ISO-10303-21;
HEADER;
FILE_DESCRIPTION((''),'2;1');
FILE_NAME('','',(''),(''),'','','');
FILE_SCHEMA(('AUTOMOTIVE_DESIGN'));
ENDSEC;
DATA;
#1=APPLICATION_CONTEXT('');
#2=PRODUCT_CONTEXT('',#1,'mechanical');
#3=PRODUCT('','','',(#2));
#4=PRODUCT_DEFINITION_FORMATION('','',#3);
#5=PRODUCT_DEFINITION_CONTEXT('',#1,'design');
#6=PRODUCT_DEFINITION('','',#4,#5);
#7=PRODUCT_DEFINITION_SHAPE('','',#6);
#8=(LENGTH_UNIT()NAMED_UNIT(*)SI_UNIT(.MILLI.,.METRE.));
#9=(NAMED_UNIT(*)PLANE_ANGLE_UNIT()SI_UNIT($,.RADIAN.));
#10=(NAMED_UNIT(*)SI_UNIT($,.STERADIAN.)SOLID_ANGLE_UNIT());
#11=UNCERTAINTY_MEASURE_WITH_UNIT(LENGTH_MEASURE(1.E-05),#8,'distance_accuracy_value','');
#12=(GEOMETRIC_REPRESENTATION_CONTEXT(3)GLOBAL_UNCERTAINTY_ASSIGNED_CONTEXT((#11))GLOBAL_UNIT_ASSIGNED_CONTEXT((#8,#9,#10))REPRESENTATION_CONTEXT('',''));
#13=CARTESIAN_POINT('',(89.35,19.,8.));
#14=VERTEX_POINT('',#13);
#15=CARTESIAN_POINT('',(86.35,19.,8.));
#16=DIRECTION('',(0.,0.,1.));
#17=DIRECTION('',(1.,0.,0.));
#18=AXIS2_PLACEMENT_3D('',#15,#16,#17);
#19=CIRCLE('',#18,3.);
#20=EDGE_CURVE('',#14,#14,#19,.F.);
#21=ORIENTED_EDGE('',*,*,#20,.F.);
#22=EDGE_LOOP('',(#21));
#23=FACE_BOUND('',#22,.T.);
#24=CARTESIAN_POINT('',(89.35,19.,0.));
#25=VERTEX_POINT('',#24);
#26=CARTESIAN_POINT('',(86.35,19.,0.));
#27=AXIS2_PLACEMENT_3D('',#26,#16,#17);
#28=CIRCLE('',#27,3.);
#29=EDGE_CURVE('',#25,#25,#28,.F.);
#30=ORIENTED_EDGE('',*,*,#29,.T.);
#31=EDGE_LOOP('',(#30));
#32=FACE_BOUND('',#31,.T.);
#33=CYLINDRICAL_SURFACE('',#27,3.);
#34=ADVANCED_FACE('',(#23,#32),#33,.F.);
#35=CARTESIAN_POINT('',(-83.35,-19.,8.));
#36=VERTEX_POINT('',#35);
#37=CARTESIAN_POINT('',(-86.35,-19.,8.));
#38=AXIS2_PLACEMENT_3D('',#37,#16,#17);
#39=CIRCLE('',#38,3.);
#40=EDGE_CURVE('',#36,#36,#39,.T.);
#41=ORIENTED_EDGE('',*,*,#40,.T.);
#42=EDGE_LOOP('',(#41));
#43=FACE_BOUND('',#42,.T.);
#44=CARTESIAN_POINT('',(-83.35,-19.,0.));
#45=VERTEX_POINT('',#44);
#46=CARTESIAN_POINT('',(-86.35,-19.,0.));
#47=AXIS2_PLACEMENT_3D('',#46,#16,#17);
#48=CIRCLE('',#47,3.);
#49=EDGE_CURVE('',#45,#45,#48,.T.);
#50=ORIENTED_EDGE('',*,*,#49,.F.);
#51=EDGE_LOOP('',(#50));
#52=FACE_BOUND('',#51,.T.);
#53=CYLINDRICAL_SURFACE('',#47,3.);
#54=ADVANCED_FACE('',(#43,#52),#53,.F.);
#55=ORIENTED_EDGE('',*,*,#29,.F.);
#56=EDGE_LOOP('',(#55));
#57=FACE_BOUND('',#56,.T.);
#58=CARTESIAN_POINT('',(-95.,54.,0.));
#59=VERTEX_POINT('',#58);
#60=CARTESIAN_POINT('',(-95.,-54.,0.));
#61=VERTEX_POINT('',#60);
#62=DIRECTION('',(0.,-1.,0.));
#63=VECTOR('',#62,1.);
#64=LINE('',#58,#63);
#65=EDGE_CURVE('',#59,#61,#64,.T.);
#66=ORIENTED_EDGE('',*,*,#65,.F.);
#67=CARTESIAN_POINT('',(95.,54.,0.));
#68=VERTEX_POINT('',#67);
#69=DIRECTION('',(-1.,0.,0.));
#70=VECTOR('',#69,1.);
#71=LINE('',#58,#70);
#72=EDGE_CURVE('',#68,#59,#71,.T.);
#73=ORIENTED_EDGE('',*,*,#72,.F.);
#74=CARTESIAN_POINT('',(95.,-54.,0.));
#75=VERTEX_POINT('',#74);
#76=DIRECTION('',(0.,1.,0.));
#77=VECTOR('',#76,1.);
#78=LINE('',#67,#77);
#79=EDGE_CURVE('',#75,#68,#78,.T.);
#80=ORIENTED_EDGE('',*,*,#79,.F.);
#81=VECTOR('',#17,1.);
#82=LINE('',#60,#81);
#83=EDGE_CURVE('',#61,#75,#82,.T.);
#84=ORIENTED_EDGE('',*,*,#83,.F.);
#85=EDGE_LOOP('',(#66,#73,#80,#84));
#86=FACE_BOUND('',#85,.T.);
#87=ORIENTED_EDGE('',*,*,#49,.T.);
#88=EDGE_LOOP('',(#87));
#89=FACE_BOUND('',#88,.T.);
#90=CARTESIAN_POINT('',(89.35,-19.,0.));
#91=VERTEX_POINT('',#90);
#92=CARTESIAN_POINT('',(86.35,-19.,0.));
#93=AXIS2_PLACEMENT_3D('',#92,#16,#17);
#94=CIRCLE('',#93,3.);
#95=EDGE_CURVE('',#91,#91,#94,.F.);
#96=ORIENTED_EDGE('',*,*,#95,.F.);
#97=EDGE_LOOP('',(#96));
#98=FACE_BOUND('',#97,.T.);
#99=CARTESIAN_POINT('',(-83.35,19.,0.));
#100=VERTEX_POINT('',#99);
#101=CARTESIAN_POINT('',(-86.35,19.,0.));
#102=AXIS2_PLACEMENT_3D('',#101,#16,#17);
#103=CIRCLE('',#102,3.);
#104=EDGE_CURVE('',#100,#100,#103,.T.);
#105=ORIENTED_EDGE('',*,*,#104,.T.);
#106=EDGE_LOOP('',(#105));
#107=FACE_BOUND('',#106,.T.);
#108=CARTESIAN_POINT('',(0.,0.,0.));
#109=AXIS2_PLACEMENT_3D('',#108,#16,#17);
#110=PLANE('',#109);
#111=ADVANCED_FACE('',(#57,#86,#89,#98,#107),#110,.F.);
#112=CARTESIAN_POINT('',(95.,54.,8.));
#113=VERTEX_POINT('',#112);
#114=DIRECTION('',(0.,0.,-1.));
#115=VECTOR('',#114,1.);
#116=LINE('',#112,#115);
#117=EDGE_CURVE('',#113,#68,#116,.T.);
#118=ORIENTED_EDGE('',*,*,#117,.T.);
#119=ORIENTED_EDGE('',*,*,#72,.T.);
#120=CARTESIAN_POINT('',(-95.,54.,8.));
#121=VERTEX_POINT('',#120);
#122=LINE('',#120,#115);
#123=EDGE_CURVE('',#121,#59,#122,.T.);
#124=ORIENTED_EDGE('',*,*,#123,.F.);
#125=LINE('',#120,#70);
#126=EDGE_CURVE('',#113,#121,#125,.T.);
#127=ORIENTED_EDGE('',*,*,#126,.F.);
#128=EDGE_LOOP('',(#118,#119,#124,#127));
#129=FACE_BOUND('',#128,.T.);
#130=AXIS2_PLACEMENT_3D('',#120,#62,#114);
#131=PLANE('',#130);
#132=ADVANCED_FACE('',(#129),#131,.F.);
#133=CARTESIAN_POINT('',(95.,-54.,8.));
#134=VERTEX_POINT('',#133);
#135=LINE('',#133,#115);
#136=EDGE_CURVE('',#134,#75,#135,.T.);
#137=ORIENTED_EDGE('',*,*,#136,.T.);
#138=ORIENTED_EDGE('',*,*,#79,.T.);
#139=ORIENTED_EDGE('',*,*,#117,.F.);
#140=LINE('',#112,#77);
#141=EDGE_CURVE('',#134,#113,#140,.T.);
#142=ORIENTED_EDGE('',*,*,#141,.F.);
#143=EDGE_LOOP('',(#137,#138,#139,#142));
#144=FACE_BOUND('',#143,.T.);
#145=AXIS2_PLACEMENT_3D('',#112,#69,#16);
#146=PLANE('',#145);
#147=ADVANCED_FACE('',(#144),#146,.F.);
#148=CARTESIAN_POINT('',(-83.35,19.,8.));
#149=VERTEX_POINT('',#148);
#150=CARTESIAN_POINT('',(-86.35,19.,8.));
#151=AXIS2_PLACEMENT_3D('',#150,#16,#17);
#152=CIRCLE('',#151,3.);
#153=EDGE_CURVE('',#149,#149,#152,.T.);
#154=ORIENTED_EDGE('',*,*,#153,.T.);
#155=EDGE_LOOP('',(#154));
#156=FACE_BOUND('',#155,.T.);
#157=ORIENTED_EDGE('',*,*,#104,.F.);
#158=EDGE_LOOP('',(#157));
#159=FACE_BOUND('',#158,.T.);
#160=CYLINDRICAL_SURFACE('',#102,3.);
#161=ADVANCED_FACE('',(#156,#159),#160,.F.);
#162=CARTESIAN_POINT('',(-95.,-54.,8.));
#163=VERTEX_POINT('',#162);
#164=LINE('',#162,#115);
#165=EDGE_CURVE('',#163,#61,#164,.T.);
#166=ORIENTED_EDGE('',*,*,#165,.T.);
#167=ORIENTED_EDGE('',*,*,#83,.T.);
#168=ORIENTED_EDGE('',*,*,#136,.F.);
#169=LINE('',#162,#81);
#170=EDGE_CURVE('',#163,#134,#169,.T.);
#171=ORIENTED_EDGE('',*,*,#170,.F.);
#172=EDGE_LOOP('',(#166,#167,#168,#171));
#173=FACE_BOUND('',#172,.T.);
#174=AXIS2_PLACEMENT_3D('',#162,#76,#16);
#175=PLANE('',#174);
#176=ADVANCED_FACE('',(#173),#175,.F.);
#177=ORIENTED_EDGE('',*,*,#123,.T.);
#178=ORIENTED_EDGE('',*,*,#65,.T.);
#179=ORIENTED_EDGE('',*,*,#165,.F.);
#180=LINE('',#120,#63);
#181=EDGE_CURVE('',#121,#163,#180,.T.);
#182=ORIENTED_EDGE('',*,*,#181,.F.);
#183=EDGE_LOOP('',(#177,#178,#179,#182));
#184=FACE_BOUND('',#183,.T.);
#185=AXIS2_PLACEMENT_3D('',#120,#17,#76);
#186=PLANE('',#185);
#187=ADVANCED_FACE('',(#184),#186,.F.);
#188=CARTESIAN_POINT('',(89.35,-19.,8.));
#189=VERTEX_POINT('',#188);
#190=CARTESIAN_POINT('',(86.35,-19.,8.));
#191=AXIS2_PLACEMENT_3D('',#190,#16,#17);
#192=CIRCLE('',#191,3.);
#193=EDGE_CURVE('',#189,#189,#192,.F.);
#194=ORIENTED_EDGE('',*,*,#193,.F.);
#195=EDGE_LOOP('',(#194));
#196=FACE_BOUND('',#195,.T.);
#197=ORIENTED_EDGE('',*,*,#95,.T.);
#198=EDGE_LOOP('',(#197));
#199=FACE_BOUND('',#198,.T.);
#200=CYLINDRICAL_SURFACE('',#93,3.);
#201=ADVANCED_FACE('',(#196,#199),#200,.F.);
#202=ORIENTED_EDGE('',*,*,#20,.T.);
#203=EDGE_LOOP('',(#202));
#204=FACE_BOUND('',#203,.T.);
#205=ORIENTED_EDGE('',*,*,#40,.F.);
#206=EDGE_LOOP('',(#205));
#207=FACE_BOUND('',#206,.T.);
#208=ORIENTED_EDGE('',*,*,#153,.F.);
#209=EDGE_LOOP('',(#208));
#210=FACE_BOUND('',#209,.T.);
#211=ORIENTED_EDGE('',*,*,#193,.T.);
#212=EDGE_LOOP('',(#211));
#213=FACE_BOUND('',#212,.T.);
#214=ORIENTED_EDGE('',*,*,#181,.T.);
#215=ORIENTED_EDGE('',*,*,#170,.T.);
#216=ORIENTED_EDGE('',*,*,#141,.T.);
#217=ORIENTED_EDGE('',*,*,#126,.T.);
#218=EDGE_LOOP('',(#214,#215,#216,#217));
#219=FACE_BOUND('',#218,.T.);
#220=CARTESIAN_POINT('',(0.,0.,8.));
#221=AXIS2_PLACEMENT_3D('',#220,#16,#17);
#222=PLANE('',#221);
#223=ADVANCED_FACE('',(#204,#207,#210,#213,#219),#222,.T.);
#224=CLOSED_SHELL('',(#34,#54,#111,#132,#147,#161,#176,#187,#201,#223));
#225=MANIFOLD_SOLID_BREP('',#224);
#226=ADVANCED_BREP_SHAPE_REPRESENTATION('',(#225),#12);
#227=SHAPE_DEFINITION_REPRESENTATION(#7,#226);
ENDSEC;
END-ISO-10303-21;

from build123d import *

# Parameters (mm, degrees)
SKETCH1_W           = 190
SKETCH1_H           = 108
BOSS_EXTRUDE1_DEPTH = 8
SKETCH2_R           = 3
CUT_EXTRUDE1_DEPTH  = 110.567330897


with BuildPart() as part:
    # Sketch1 → Boss-Extrude1 (new body)
    with BuildSketch(Plane.XY):
        Rectangle(SKETCH1_W, SKETCH1_H)
    extrude(amount=BOSS_EXTRUDE1_DEPTH)

    # Sketch2 → Cut-Extrude1 (cut, through all)
    with BuildSketch(Plane.XY.offset(8)):
        with Locations((-86.35, -19)):
            Circle(SKETCH2_R)
        with Locations((86.35, -19)):
            Circle(SKETCH2_R)
        with Locations((86.35, 19)):
            Circle(SKETCH2_R)
        with Locations((-86.35, 19)):
            Circle(SKETCH2_R)
    extrude(amount=-CUT_EXTRUDE1_DEPTH, mode=Mode.SUBTRACT)


solid = part.part
